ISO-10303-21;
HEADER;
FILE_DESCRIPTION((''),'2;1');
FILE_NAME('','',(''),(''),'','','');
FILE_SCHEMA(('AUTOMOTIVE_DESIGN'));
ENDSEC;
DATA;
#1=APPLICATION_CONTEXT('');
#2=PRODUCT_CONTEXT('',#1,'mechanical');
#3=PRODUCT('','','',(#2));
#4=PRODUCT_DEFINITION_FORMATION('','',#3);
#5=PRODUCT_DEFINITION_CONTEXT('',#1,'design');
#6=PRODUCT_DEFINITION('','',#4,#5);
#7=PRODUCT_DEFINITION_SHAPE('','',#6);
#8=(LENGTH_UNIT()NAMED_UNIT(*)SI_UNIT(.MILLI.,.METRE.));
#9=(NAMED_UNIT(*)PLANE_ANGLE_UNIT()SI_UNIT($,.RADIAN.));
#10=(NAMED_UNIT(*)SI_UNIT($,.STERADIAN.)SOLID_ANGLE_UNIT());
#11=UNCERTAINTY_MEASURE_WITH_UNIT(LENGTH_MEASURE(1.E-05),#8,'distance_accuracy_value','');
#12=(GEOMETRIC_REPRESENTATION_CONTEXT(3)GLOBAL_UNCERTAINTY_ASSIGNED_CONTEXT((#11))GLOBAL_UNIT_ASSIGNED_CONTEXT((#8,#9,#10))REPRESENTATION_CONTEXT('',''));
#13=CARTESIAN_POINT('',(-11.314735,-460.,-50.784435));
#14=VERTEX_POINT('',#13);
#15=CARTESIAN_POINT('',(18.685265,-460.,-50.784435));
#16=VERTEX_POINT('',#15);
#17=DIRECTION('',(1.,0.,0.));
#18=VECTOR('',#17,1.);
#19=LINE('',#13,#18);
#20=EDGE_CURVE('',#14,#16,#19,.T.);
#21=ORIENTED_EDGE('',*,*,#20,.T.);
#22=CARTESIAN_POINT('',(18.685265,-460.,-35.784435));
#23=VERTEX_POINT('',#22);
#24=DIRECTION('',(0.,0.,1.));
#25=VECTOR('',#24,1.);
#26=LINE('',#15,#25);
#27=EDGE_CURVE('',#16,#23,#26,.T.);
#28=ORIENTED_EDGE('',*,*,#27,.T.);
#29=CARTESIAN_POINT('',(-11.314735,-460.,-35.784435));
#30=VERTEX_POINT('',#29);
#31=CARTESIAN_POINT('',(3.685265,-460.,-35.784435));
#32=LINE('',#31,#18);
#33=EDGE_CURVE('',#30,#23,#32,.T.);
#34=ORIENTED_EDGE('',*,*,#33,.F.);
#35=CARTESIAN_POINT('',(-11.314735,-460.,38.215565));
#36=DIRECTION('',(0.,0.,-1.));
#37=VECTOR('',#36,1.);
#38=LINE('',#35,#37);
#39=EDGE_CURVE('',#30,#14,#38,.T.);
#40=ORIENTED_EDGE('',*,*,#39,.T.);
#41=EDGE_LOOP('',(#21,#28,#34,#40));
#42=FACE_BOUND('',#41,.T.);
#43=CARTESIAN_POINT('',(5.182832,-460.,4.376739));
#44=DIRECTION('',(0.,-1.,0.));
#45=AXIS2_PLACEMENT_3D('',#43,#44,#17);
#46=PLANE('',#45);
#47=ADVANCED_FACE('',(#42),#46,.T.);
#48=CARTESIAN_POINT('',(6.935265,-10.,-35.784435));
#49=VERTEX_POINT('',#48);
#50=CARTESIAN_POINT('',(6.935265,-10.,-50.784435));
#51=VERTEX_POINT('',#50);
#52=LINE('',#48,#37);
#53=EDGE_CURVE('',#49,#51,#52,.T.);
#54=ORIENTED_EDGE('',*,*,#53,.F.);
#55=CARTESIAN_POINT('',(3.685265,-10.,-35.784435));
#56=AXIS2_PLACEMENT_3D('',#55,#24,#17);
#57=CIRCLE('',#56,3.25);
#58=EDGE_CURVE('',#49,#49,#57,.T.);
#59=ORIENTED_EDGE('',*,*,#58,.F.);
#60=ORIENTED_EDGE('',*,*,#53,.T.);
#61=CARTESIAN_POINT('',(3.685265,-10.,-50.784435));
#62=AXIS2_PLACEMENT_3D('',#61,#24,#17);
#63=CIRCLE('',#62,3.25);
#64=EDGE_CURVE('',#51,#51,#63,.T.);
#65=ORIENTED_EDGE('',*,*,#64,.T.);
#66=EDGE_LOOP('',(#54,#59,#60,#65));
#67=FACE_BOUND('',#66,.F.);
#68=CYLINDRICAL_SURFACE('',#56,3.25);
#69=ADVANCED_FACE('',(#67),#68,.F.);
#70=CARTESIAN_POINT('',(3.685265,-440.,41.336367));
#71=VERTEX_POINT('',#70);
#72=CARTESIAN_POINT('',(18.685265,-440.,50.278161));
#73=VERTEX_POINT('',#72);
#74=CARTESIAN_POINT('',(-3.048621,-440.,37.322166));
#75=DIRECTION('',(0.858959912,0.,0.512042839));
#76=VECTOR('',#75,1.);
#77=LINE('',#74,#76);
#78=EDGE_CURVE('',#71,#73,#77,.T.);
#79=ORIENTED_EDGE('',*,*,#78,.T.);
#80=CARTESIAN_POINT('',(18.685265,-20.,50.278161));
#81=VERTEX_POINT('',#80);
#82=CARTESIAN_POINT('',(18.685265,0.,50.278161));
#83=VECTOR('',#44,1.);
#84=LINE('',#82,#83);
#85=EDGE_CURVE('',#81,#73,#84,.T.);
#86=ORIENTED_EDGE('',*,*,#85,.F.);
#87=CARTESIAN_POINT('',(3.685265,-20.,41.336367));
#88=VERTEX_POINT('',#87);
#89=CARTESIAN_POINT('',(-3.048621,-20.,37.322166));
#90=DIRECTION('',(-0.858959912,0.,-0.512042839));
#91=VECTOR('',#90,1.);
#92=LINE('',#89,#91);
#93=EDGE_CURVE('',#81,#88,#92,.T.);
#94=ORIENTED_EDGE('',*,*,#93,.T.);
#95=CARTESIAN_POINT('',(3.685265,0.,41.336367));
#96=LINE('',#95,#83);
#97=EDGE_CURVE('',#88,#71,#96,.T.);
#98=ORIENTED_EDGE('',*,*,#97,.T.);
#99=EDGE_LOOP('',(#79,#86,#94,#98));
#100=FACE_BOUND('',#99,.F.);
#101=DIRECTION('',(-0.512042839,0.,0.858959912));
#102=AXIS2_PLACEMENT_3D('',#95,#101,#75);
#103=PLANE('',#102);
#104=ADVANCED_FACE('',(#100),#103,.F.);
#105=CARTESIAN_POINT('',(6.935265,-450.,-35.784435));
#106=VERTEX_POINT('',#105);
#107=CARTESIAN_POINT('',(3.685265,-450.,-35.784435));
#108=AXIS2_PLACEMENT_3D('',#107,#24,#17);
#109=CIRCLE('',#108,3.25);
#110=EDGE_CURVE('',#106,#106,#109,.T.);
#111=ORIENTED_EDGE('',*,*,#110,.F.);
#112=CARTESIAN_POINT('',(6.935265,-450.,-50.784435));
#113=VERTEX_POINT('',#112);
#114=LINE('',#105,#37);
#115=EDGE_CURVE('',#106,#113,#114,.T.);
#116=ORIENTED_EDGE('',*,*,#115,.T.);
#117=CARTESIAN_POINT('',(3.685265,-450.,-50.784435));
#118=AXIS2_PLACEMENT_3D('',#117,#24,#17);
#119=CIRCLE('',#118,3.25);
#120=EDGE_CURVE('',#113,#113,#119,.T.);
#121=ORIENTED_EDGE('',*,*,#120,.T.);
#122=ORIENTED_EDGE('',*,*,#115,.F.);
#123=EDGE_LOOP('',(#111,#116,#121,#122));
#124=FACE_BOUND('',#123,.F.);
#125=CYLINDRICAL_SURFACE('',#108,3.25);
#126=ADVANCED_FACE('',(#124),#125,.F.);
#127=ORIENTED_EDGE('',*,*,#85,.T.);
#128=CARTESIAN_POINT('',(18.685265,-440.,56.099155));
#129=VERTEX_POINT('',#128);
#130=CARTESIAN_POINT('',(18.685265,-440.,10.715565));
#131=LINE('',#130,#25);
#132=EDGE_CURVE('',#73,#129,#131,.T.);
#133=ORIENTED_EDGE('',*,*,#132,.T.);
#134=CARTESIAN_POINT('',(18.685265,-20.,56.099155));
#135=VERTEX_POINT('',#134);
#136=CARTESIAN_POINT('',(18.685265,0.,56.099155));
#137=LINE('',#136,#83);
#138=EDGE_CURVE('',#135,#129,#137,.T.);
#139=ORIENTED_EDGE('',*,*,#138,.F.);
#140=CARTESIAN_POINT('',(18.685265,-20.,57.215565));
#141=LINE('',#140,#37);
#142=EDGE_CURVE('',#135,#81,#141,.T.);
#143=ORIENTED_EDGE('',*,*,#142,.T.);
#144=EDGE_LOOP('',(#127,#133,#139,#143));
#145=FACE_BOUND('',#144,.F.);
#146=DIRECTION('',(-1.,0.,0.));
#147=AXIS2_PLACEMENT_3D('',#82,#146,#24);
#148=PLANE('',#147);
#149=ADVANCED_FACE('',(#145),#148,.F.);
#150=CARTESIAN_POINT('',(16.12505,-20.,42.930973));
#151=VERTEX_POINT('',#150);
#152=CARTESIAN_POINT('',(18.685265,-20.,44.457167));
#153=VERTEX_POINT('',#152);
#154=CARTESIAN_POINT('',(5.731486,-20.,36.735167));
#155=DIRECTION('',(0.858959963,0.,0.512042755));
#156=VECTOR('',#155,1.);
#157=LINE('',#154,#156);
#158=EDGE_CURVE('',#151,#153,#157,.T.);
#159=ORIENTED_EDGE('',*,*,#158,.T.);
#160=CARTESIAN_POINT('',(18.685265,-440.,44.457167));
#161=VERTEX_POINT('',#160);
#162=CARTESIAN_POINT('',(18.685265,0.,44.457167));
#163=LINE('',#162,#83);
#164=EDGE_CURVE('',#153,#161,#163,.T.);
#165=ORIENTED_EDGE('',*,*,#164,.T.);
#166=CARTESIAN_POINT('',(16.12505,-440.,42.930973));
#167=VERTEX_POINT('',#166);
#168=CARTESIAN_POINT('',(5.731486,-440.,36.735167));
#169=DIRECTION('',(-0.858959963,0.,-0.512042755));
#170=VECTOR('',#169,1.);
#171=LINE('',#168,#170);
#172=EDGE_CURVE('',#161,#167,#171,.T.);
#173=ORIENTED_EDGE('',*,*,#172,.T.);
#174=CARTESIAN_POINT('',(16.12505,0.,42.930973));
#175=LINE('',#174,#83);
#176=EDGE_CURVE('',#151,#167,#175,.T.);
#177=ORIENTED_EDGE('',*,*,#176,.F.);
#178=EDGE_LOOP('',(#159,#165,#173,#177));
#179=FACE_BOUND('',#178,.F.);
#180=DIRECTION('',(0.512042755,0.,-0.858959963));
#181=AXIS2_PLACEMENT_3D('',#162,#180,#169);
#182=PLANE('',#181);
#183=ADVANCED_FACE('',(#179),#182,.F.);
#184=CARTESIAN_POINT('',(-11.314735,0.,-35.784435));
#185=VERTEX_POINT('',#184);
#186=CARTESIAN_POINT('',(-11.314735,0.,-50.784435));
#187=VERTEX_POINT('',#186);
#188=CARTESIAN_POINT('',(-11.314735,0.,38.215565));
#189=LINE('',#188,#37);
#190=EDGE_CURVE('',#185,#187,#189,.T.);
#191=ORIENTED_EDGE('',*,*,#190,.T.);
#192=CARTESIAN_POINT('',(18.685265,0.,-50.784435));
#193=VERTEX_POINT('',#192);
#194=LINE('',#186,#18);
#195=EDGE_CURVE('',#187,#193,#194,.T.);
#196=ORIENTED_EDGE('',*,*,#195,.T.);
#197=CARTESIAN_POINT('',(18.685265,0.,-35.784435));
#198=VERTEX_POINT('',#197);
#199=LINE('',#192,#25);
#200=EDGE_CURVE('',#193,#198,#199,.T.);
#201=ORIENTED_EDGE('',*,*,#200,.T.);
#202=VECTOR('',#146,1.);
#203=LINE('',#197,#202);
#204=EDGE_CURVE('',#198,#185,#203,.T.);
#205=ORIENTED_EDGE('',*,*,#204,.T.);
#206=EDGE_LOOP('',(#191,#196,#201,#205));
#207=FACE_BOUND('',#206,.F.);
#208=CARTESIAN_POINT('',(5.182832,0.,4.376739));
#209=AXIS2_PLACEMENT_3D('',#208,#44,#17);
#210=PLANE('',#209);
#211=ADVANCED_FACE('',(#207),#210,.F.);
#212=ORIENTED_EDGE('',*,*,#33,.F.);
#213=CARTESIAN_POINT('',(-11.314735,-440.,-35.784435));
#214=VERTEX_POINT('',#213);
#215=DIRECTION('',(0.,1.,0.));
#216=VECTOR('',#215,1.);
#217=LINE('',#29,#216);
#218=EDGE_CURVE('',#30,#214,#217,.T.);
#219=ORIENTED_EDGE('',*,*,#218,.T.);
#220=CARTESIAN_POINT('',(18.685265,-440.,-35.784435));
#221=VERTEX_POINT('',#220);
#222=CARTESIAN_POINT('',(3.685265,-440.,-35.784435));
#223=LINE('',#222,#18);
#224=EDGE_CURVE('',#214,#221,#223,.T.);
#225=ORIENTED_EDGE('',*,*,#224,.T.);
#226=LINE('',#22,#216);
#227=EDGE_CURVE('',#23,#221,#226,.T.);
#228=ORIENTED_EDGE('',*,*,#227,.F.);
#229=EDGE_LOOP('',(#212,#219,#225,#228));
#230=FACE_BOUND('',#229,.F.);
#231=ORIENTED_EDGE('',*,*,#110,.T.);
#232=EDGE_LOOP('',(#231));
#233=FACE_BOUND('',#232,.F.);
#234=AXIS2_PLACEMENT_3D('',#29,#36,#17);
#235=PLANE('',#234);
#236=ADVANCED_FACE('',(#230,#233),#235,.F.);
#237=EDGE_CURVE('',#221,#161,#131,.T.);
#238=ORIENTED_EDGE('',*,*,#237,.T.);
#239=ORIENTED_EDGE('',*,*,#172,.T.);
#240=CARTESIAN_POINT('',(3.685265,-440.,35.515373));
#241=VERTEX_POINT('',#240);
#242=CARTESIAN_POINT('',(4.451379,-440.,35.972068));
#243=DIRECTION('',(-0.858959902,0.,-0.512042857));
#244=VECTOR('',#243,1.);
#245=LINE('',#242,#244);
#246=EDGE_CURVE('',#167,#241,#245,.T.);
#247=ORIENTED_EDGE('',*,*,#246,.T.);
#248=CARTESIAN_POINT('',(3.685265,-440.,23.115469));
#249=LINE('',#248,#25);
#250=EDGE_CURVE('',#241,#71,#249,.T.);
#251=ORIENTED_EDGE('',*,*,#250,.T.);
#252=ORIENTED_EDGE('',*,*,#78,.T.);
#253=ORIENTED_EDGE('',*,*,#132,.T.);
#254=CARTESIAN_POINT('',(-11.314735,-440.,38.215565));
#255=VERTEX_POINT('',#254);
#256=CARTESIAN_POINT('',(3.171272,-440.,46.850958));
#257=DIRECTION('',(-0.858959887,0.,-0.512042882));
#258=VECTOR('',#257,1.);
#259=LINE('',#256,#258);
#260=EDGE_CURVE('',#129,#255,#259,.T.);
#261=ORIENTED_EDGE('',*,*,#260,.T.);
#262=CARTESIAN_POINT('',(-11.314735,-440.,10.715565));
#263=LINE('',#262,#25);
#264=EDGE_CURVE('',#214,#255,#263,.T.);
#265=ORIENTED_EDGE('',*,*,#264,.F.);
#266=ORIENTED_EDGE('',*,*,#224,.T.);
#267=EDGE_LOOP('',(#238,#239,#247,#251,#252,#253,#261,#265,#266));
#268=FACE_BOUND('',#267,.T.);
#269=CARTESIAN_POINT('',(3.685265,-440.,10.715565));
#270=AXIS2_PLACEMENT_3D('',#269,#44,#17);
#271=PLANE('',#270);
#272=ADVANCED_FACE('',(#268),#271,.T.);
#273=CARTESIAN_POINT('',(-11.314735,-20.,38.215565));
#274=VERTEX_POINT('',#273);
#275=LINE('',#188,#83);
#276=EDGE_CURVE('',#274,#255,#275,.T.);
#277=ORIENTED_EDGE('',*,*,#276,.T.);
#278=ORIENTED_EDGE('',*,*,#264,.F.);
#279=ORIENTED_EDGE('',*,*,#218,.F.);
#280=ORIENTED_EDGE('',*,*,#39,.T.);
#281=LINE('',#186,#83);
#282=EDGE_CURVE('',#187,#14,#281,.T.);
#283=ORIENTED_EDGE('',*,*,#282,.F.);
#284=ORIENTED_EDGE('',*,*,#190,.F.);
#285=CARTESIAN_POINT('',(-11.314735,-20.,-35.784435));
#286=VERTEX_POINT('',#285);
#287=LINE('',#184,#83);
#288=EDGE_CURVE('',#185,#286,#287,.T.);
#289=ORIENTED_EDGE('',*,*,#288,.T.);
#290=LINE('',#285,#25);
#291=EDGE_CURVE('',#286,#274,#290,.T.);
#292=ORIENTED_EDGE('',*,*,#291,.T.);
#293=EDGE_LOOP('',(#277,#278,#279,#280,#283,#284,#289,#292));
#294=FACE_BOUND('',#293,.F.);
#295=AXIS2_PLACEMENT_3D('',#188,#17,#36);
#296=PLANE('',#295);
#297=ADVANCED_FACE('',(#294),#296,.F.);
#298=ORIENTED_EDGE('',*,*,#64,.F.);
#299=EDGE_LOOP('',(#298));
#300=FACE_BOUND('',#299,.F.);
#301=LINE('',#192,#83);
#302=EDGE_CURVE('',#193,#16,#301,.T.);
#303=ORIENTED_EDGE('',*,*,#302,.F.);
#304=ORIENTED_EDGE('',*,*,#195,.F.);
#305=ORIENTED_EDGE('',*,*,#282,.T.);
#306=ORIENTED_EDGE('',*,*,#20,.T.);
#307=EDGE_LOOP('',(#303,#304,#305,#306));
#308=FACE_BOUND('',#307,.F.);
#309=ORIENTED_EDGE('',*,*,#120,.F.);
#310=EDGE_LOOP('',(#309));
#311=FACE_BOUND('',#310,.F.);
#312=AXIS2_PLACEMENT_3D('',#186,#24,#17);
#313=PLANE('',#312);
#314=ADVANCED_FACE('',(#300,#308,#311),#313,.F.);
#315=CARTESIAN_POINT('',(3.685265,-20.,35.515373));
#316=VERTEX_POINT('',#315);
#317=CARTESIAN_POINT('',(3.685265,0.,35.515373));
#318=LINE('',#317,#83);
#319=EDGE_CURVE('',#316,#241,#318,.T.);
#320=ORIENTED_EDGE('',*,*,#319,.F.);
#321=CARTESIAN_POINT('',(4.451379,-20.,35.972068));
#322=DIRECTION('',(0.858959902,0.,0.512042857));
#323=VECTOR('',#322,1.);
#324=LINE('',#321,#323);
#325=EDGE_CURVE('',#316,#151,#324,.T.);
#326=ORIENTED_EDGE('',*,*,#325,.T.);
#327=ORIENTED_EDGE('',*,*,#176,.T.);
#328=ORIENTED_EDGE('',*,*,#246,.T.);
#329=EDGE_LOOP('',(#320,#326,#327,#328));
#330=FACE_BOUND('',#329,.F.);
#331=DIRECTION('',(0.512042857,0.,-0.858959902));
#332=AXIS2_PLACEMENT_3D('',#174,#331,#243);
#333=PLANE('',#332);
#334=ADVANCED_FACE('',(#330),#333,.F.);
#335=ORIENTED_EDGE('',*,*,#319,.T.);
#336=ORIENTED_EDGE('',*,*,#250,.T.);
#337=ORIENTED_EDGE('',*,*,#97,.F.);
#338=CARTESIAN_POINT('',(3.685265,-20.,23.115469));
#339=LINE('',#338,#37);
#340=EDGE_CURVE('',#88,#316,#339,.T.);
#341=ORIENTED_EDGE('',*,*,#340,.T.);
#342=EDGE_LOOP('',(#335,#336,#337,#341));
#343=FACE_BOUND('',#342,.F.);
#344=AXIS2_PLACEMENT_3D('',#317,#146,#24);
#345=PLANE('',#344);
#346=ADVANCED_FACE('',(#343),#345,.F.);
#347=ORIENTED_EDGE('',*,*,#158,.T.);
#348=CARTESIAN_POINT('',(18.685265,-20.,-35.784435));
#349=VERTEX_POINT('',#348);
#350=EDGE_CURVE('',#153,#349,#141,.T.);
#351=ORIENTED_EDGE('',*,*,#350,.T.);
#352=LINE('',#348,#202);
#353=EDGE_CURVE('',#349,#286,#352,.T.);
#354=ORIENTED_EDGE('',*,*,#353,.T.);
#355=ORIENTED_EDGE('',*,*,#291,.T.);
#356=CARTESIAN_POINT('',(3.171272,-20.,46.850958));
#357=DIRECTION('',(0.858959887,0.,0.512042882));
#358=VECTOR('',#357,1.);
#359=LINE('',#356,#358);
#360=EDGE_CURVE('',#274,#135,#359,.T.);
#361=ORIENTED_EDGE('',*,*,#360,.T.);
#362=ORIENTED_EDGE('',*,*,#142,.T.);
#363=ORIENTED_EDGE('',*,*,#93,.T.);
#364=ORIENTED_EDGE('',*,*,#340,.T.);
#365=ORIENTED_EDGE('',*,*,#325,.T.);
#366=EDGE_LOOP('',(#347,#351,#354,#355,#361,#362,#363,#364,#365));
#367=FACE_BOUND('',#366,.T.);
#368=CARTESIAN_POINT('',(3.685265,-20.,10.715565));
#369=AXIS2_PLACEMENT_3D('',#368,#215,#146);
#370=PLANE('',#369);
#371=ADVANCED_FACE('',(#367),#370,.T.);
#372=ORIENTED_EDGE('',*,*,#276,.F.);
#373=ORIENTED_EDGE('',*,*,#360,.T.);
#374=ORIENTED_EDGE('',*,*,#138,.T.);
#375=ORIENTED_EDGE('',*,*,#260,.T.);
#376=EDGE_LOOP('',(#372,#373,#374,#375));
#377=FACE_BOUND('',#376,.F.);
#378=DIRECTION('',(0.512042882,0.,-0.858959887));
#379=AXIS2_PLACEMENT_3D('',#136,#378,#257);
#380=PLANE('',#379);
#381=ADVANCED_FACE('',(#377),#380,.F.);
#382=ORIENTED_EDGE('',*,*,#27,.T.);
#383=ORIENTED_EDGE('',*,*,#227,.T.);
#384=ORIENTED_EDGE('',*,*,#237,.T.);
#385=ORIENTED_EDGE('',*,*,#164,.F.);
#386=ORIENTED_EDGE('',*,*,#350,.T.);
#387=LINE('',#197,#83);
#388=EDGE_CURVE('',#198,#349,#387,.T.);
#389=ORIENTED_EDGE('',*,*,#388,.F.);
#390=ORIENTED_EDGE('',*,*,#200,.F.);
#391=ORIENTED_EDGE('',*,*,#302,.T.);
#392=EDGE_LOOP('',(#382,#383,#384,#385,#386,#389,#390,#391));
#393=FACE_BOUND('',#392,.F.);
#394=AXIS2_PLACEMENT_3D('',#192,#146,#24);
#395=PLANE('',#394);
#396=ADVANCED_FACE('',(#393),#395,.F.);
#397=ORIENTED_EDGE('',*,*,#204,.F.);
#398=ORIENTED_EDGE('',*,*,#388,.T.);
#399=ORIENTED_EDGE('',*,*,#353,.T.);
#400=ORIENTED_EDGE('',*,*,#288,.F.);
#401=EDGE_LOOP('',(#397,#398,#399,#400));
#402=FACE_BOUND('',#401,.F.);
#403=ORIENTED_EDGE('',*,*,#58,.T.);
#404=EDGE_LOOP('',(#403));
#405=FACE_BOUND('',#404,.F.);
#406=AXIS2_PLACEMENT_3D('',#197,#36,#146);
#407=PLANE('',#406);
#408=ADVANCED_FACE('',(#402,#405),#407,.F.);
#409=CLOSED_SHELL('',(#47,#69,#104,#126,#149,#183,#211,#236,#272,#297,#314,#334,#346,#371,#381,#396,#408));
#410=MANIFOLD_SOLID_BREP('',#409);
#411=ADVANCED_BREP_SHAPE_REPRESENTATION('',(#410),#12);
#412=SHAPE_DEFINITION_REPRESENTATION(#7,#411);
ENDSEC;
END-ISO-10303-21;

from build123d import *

# Parameters (mm, degrees)
F1_DEPTH = 460
F2_W     = 30
F2_H     = 93
F3_DEPTH = 20
F5_DEPTH = 20
F6_R     = 3.25
F7_DEPTH = 15.001


with BuildPart() as f1:
    # F0 (on Front) → F1 (new body)
    with BuildSketch(Plane.XZ):
        Polygon((18.685265, 56.099155), (-11.314735, 38.215565), (-11.314735, -50.784435), (18.685265, -50.784435), (18.685265, -35.784435), (18.685265, 38.636174), (18.685265, 44.457167), (16.12505, 42.930973), (3.685265, 35.515373), (3.685265, 38.636174), (3.685265, 41.336367), (18.685265, 50.278161), align=None)
    extrude(amount=F1_DEPTH)

    # F2 (on face) → F3 (cut)
    with BuildSketch(Plane.XZ.offset(460)):
        with Locations((3.685265, 10.715565)):
            Rectangle(F2_W, F2_H)
    extrude(amount=-F3_DEPTH, mode=Mode.SUBTRACT)

    # F4 (on face) → F5 (cut)
    with BuildSketch(Plane(origin=(0, 0, 0), x_dir=(-1, 0, 0), z_dir=(0, 1, 0))):
        Polygon((-18.685265, 57.215565), (-18.685265, -35.784435), (11.314735, -35.784435), (11.314735, -26.784435), (11.314735, 57.215565), align=None)
    extrude(amount=-F5_DEPTH, mode=Mode.SUBTRACT)

    # F6 (on face) → F7 (cut, through all)
    with BuildSketch(Plane.XY.offset(-35.784435)):
        with Locations((3.685265, -10)):
            Circle(F6_R)
        with Locations((3.685265, -450)):
            Circle(F6_R)
    extrude(amount=-F7_DEPTH, mode=Mode.SUBTRACT)


solid = f1.part
